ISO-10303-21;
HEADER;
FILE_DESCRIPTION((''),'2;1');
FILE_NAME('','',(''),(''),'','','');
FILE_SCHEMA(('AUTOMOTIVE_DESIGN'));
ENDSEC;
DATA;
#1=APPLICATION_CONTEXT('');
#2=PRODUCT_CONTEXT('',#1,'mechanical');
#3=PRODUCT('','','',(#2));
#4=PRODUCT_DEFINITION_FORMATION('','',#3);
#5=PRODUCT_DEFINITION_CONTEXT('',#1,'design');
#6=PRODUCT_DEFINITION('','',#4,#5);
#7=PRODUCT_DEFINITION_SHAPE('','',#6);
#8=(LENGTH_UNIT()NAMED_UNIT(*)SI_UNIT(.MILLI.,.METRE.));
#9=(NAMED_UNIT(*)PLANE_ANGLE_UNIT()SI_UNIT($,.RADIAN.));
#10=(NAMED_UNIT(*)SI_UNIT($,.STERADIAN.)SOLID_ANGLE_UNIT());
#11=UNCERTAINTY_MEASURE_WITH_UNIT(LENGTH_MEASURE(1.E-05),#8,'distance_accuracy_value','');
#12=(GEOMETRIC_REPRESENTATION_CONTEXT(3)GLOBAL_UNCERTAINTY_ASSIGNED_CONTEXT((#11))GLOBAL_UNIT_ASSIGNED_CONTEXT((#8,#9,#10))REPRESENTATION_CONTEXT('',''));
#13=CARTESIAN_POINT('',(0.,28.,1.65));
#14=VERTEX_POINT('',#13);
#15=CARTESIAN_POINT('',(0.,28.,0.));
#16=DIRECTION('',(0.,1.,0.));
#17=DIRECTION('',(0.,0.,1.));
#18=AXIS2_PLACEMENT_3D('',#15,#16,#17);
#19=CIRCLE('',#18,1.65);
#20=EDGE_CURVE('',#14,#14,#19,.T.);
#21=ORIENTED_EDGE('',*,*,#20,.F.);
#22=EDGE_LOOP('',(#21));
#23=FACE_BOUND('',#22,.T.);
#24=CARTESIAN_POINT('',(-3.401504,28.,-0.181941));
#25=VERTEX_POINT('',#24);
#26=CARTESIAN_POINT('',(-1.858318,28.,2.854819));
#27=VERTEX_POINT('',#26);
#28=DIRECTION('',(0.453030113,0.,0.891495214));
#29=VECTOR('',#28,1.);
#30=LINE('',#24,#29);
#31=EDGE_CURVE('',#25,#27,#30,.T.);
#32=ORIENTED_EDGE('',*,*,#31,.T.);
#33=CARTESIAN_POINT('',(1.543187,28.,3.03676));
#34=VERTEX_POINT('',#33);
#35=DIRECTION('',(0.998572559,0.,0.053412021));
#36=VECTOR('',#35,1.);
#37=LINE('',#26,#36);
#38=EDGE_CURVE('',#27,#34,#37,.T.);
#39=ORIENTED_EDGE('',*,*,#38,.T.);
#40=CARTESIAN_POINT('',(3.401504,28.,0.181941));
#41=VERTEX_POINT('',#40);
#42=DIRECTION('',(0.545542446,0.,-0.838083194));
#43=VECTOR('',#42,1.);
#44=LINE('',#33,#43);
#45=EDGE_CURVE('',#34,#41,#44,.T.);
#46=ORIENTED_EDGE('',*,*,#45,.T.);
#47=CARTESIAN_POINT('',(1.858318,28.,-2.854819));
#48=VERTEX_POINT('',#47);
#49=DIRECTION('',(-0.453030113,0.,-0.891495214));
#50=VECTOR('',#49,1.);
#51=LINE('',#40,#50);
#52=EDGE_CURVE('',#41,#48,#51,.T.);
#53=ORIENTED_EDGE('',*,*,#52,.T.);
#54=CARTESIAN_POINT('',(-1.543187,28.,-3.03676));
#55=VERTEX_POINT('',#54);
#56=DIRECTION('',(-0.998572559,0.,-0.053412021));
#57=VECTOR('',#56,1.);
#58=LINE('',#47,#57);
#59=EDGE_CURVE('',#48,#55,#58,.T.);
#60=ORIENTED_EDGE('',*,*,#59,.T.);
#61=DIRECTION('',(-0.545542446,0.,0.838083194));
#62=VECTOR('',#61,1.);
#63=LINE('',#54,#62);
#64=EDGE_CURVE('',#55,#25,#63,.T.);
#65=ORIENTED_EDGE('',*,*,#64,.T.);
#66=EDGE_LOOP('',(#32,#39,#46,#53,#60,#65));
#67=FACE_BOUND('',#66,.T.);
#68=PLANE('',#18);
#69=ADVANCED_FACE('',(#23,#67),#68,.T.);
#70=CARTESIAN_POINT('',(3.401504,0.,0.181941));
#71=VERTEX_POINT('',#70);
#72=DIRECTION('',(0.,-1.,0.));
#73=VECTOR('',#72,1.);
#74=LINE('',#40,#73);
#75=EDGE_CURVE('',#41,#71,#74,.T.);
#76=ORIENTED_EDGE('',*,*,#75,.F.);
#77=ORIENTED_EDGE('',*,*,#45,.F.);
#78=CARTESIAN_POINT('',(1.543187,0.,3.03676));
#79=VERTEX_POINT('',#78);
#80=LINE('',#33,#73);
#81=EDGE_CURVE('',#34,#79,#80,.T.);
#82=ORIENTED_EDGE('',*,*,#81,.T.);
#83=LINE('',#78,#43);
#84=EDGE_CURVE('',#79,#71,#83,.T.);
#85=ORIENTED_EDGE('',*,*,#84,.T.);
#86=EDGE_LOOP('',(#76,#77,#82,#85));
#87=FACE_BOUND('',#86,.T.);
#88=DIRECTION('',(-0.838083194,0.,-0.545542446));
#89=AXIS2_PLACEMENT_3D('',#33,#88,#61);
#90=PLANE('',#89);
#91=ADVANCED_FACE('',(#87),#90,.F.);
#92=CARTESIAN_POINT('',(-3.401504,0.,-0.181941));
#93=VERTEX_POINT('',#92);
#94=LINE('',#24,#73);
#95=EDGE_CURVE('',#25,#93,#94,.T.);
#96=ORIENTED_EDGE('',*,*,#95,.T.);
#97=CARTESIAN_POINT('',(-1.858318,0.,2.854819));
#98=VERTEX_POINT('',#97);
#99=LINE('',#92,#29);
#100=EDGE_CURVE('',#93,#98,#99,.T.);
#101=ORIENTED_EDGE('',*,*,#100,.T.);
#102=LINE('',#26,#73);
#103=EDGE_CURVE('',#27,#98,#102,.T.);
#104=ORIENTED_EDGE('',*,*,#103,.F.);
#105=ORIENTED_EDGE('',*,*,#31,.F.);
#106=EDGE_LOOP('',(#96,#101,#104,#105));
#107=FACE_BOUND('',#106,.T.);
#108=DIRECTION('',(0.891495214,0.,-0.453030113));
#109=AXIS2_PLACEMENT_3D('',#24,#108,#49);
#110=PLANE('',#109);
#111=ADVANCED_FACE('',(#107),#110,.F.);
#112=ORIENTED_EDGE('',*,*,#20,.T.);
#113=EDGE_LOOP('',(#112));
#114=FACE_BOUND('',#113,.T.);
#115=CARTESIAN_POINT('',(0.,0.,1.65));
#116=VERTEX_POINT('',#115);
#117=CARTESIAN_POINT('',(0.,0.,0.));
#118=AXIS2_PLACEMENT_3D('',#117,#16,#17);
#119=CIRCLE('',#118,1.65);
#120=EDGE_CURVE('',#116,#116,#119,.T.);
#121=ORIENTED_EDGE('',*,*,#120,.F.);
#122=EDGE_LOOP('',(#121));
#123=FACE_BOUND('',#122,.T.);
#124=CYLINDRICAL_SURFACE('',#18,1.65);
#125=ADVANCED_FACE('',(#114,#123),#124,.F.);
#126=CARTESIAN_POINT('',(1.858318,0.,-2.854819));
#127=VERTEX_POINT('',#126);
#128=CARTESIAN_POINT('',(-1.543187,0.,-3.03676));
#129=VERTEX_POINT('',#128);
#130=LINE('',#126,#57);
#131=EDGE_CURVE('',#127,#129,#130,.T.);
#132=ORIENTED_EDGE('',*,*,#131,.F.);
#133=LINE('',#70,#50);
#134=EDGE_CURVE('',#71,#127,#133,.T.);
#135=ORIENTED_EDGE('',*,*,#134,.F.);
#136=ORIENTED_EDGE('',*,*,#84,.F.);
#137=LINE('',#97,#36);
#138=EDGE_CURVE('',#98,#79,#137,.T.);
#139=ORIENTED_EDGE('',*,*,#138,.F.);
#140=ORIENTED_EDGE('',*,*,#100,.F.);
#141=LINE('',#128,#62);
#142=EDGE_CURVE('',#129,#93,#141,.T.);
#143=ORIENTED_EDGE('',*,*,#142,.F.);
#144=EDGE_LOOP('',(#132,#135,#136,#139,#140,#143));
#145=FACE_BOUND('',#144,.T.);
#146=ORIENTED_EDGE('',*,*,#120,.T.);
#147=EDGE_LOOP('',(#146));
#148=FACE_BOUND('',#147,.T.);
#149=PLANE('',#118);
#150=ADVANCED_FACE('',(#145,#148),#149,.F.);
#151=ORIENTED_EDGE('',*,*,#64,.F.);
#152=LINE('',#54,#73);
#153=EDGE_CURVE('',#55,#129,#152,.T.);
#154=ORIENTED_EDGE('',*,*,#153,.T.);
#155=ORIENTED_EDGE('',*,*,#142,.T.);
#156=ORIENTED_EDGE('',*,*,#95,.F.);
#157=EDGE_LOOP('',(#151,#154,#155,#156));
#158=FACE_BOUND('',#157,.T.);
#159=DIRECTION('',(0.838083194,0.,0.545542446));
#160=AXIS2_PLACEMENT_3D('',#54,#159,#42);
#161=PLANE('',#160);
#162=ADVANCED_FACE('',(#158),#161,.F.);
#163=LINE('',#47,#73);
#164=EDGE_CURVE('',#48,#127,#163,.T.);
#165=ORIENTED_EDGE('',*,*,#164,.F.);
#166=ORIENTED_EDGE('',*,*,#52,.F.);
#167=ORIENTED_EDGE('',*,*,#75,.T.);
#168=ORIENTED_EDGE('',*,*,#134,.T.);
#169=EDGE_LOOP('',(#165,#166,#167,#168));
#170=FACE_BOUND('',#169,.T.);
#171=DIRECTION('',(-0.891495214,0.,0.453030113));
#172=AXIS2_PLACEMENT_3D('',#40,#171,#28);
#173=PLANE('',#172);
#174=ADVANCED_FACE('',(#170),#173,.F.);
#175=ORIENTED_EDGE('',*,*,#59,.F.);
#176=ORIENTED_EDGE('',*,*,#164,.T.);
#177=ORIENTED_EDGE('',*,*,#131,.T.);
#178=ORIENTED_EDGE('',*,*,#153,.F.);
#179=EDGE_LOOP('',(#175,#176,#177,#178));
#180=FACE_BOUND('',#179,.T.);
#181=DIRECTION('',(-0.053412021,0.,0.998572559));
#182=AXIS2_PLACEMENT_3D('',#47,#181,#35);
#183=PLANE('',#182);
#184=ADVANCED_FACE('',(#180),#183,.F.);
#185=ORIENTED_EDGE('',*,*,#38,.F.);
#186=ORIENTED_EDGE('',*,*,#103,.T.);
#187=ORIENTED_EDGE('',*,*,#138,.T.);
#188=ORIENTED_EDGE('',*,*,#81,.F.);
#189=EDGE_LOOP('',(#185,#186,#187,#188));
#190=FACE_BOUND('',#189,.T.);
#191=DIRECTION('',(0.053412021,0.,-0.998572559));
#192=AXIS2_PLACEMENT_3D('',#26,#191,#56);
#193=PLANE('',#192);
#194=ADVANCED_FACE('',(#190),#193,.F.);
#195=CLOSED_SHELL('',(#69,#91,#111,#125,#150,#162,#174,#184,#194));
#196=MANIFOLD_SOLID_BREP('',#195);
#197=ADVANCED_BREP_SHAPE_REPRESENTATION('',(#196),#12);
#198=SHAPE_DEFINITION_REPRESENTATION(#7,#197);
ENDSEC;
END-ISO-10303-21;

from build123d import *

# Parameters (mm, degrees)
EXTRUDE_1_DEPTH    = 28
HOLE_WIZARD_M4_1_D = 3.3


with BuildPart() as part:
    # 草图1 → 凸台-拉伸1 (new body)
    with BuildSketch(Plane(origin=(0, 0, 0), x_dir=(1, 0, 0), z_dir=(0, 1, 0))):
        Polygon((3.401504202, -0.181940922), (1.858317562, 2.854818589), (-1.54318664, 3.036759511), (-3.401504202, 0.181940922), (-1.858317562, -2.854818589), (1.54318664, -3.036759511), align=None)
    extrude(amount=EXTRUDE_1_DEPTH)

    # M4 螺纹孔1 (through all)
    with Locations(Plane(origin=(0, 28, 0), x_dir=(1, 0, 0), z_dir=(0, 1, 0))):
        with Locations((0, 0)):
            Hole(HOLE_WIZARD_M4_1_D / 2)


solid = part.part
